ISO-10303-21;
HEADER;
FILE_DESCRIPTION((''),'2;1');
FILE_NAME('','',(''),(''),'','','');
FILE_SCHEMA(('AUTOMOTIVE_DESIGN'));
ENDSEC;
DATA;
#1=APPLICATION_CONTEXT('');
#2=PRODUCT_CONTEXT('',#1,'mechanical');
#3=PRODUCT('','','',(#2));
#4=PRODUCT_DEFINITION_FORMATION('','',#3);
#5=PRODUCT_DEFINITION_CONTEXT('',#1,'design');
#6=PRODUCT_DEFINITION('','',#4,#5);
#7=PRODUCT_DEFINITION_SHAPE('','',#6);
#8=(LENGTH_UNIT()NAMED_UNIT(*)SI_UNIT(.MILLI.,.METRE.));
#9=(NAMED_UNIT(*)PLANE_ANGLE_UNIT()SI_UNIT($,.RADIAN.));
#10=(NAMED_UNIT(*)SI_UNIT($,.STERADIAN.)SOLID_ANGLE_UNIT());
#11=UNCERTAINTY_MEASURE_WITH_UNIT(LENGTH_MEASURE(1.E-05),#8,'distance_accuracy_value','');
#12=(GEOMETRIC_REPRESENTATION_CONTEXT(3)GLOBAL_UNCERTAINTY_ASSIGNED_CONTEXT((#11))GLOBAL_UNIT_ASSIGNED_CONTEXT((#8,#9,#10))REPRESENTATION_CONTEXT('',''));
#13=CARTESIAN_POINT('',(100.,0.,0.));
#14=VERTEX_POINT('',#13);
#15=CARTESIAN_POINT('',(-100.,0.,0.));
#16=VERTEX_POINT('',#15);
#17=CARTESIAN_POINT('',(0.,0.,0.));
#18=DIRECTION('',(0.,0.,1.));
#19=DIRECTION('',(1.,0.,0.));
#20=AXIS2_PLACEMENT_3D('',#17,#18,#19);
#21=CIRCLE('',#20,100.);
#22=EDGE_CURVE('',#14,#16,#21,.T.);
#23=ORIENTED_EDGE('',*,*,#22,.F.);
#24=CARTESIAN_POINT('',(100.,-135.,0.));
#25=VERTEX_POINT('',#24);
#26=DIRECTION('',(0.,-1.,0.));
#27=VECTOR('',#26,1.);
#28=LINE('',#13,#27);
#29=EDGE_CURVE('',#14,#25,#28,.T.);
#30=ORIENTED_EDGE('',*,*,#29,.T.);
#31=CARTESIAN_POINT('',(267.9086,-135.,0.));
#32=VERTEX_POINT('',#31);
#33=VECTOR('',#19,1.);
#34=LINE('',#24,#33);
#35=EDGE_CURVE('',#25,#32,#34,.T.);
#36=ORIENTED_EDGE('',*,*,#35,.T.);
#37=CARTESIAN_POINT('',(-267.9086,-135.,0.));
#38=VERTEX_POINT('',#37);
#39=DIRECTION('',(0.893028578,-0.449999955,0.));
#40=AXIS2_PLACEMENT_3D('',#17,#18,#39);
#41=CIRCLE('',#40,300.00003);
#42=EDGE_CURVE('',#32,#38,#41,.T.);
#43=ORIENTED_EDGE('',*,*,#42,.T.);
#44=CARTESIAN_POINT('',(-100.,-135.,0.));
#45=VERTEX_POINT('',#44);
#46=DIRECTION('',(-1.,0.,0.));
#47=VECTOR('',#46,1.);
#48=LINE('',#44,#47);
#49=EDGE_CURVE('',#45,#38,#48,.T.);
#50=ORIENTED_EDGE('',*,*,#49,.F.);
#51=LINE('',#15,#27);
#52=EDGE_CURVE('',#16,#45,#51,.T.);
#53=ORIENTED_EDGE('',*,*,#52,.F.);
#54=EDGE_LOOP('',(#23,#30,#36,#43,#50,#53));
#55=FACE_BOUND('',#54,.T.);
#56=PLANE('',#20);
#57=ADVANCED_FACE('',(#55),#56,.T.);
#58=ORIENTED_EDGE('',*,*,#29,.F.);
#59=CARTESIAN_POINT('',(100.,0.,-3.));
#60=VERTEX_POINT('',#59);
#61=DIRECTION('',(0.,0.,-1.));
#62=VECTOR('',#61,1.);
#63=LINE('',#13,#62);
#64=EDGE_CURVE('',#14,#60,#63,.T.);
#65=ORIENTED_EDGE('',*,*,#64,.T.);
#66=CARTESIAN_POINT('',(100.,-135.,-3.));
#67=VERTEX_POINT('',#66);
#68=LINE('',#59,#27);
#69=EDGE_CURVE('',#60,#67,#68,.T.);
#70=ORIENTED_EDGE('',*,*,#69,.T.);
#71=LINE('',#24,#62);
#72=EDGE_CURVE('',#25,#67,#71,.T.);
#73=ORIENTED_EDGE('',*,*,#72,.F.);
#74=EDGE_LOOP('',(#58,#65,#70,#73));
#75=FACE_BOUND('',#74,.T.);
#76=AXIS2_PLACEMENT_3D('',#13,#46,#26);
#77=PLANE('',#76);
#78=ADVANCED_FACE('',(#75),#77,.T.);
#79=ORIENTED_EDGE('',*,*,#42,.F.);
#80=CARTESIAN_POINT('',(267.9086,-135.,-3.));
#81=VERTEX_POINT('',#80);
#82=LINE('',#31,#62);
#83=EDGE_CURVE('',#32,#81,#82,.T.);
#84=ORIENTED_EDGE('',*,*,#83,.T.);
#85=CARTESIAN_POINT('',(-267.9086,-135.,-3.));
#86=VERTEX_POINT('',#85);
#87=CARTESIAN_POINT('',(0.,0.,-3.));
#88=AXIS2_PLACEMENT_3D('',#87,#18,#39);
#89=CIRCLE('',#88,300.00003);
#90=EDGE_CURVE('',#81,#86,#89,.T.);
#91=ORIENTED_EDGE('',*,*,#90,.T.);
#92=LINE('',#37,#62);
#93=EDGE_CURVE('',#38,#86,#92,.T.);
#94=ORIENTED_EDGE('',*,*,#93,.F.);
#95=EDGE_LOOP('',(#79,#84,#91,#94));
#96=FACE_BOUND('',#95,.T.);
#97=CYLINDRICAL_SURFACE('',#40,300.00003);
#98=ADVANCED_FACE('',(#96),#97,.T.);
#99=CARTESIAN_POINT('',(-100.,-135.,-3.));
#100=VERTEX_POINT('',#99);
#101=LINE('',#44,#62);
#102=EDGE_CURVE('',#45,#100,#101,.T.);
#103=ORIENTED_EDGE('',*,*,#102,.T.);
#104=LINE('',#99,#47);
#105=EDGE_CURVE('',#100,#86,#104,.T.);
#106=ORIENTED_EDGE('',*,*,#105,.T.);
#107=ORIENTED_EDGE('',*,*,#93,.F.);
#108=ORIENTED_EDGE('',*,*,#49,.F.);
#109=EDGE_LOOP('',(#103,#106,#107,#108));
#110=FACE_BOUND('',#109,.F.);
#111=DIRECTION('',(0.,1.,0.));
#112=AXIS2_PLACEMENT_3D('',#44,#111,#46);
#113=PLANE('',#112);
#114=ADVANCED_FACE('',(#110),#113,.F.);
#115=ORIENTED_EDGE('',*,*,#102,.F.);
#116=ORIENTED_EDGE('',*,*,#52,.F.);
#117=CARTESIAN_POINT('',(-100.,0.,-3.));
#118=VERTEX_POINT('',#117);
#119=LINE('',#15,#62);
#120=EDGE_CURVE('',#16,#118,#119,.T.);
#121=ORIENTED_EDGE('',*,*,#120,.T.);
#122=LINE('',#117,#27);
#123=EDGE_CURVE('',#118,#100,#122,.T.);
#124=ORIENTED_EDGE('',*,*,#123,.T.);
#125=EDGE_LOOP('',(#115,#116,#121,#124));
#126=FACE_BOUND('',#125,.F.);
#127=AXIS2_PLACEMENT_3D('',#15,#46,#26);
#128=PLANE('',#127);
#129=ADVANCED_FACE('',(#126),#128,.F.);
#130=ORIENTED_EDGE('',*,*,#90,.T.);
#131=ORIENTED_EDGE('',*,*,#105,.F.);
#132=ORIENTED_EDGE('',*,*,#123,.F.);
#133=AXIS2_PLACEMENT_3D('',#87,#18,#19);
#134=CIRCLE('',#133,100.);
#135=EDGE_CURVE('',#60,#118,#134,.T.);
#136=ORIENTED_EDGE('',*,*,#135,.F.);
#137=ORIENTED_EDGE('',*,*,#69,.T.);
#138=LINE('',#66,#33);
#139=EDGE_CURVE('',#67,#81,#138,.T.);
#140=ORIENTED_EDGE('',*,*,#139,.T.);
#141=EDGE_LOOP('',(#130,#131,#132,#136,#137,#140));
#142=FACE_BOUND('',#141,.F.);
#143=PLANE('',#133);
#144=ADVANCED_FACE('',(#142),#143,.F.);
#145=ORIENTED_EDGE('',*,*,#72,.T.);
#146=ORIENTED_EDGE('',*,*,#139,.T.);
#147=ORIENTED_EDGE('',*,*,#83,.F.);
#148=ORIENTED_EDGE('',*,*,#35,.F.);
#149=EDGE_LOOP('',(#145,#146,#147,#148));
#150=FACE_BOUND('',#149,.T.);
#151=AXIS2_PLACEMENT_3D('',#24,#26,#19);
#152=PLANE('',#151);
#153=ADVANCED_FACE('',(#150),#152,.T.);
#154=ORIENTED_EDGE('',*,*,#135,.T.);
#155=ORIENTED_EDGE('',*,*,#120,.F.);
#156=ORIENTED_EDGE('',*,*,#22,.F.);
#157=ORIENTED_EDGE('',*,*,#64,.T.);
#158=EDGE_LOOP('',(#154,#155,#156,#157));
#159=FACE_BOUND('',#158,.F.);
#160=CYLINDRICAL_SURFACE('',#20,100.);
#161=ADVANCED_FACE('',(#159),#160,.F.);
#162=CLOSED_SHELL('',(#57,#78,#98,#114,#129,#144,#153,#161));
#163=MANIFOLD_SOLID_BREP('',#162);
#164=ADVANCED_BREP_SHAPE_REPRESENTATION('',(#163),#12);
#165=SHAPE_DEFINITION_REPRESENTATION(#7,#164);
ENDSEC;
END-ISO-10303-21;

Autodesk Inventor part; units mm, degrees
ref_plane "YZ Plane" through (0, 0, 0) normal (1, 0, 0) x (0, 1, 0)
ref_plane "XZ Plane" through (0, 0, 0) normal (0, 1, 0) x (-1, 0, 0)
ref_plane "XY Plane" through (0, 0, 0) normal (0, 0, 1) x (1, 0, 0)
sketch "Sketch1" plane through (0, 0, 0) normal (0, 0, 1) x (1, 0, 0)
  arc A0 (100, 0) -> (-100, 0) centre (0, 0) ccw
  arc A1 (267.9086, -135) -> (-267.9086, -135) centre (0, 0) ccw
  line L0 (-100, 0) -> (-100, -135)
  line L1 (-100, -135) -> (-267.9086, -135)
  line L2 (100, 0) -> (100, -135)
  line L3 (100, -135) -> (267.9086, -135)
  dimension "d0" = 200
  dimension "d2" = 600
  dimension "d3" = 135
extrude "Extrusion1" add sketch "Sketch1" against normal blind 3
sketch "Sketch2" plane through (0, 0, 0) normal (0, 0, 1) x (1, 0, 0)
  arc A0 (100, 0) -> (-100, 0) centre (0, 0) ccw projected
  line L0 (100, 0) -> (100, -135) projected
  line L1 (100, -135) -> (267.9086, -135) projected
  arc A1 (267.9086, -135) -> (-267.9086, -135) centre (0, 0) ccw projected
  line L2 (-267.9086, -135) -> (-100, -135) projected
  line L3 (-100, -135) -> (-100, 0) projected
  line L4 (-101.709, 282.2327) -> (100, 282.2327)
  line L5 (100, 282.2327) -> (100, 100)
  line L6 (100, 100) -> (-101.709, 100)
  line L7 (-101.709, 100) -> (-101.709, 282.2327)
properties part number "bed"
